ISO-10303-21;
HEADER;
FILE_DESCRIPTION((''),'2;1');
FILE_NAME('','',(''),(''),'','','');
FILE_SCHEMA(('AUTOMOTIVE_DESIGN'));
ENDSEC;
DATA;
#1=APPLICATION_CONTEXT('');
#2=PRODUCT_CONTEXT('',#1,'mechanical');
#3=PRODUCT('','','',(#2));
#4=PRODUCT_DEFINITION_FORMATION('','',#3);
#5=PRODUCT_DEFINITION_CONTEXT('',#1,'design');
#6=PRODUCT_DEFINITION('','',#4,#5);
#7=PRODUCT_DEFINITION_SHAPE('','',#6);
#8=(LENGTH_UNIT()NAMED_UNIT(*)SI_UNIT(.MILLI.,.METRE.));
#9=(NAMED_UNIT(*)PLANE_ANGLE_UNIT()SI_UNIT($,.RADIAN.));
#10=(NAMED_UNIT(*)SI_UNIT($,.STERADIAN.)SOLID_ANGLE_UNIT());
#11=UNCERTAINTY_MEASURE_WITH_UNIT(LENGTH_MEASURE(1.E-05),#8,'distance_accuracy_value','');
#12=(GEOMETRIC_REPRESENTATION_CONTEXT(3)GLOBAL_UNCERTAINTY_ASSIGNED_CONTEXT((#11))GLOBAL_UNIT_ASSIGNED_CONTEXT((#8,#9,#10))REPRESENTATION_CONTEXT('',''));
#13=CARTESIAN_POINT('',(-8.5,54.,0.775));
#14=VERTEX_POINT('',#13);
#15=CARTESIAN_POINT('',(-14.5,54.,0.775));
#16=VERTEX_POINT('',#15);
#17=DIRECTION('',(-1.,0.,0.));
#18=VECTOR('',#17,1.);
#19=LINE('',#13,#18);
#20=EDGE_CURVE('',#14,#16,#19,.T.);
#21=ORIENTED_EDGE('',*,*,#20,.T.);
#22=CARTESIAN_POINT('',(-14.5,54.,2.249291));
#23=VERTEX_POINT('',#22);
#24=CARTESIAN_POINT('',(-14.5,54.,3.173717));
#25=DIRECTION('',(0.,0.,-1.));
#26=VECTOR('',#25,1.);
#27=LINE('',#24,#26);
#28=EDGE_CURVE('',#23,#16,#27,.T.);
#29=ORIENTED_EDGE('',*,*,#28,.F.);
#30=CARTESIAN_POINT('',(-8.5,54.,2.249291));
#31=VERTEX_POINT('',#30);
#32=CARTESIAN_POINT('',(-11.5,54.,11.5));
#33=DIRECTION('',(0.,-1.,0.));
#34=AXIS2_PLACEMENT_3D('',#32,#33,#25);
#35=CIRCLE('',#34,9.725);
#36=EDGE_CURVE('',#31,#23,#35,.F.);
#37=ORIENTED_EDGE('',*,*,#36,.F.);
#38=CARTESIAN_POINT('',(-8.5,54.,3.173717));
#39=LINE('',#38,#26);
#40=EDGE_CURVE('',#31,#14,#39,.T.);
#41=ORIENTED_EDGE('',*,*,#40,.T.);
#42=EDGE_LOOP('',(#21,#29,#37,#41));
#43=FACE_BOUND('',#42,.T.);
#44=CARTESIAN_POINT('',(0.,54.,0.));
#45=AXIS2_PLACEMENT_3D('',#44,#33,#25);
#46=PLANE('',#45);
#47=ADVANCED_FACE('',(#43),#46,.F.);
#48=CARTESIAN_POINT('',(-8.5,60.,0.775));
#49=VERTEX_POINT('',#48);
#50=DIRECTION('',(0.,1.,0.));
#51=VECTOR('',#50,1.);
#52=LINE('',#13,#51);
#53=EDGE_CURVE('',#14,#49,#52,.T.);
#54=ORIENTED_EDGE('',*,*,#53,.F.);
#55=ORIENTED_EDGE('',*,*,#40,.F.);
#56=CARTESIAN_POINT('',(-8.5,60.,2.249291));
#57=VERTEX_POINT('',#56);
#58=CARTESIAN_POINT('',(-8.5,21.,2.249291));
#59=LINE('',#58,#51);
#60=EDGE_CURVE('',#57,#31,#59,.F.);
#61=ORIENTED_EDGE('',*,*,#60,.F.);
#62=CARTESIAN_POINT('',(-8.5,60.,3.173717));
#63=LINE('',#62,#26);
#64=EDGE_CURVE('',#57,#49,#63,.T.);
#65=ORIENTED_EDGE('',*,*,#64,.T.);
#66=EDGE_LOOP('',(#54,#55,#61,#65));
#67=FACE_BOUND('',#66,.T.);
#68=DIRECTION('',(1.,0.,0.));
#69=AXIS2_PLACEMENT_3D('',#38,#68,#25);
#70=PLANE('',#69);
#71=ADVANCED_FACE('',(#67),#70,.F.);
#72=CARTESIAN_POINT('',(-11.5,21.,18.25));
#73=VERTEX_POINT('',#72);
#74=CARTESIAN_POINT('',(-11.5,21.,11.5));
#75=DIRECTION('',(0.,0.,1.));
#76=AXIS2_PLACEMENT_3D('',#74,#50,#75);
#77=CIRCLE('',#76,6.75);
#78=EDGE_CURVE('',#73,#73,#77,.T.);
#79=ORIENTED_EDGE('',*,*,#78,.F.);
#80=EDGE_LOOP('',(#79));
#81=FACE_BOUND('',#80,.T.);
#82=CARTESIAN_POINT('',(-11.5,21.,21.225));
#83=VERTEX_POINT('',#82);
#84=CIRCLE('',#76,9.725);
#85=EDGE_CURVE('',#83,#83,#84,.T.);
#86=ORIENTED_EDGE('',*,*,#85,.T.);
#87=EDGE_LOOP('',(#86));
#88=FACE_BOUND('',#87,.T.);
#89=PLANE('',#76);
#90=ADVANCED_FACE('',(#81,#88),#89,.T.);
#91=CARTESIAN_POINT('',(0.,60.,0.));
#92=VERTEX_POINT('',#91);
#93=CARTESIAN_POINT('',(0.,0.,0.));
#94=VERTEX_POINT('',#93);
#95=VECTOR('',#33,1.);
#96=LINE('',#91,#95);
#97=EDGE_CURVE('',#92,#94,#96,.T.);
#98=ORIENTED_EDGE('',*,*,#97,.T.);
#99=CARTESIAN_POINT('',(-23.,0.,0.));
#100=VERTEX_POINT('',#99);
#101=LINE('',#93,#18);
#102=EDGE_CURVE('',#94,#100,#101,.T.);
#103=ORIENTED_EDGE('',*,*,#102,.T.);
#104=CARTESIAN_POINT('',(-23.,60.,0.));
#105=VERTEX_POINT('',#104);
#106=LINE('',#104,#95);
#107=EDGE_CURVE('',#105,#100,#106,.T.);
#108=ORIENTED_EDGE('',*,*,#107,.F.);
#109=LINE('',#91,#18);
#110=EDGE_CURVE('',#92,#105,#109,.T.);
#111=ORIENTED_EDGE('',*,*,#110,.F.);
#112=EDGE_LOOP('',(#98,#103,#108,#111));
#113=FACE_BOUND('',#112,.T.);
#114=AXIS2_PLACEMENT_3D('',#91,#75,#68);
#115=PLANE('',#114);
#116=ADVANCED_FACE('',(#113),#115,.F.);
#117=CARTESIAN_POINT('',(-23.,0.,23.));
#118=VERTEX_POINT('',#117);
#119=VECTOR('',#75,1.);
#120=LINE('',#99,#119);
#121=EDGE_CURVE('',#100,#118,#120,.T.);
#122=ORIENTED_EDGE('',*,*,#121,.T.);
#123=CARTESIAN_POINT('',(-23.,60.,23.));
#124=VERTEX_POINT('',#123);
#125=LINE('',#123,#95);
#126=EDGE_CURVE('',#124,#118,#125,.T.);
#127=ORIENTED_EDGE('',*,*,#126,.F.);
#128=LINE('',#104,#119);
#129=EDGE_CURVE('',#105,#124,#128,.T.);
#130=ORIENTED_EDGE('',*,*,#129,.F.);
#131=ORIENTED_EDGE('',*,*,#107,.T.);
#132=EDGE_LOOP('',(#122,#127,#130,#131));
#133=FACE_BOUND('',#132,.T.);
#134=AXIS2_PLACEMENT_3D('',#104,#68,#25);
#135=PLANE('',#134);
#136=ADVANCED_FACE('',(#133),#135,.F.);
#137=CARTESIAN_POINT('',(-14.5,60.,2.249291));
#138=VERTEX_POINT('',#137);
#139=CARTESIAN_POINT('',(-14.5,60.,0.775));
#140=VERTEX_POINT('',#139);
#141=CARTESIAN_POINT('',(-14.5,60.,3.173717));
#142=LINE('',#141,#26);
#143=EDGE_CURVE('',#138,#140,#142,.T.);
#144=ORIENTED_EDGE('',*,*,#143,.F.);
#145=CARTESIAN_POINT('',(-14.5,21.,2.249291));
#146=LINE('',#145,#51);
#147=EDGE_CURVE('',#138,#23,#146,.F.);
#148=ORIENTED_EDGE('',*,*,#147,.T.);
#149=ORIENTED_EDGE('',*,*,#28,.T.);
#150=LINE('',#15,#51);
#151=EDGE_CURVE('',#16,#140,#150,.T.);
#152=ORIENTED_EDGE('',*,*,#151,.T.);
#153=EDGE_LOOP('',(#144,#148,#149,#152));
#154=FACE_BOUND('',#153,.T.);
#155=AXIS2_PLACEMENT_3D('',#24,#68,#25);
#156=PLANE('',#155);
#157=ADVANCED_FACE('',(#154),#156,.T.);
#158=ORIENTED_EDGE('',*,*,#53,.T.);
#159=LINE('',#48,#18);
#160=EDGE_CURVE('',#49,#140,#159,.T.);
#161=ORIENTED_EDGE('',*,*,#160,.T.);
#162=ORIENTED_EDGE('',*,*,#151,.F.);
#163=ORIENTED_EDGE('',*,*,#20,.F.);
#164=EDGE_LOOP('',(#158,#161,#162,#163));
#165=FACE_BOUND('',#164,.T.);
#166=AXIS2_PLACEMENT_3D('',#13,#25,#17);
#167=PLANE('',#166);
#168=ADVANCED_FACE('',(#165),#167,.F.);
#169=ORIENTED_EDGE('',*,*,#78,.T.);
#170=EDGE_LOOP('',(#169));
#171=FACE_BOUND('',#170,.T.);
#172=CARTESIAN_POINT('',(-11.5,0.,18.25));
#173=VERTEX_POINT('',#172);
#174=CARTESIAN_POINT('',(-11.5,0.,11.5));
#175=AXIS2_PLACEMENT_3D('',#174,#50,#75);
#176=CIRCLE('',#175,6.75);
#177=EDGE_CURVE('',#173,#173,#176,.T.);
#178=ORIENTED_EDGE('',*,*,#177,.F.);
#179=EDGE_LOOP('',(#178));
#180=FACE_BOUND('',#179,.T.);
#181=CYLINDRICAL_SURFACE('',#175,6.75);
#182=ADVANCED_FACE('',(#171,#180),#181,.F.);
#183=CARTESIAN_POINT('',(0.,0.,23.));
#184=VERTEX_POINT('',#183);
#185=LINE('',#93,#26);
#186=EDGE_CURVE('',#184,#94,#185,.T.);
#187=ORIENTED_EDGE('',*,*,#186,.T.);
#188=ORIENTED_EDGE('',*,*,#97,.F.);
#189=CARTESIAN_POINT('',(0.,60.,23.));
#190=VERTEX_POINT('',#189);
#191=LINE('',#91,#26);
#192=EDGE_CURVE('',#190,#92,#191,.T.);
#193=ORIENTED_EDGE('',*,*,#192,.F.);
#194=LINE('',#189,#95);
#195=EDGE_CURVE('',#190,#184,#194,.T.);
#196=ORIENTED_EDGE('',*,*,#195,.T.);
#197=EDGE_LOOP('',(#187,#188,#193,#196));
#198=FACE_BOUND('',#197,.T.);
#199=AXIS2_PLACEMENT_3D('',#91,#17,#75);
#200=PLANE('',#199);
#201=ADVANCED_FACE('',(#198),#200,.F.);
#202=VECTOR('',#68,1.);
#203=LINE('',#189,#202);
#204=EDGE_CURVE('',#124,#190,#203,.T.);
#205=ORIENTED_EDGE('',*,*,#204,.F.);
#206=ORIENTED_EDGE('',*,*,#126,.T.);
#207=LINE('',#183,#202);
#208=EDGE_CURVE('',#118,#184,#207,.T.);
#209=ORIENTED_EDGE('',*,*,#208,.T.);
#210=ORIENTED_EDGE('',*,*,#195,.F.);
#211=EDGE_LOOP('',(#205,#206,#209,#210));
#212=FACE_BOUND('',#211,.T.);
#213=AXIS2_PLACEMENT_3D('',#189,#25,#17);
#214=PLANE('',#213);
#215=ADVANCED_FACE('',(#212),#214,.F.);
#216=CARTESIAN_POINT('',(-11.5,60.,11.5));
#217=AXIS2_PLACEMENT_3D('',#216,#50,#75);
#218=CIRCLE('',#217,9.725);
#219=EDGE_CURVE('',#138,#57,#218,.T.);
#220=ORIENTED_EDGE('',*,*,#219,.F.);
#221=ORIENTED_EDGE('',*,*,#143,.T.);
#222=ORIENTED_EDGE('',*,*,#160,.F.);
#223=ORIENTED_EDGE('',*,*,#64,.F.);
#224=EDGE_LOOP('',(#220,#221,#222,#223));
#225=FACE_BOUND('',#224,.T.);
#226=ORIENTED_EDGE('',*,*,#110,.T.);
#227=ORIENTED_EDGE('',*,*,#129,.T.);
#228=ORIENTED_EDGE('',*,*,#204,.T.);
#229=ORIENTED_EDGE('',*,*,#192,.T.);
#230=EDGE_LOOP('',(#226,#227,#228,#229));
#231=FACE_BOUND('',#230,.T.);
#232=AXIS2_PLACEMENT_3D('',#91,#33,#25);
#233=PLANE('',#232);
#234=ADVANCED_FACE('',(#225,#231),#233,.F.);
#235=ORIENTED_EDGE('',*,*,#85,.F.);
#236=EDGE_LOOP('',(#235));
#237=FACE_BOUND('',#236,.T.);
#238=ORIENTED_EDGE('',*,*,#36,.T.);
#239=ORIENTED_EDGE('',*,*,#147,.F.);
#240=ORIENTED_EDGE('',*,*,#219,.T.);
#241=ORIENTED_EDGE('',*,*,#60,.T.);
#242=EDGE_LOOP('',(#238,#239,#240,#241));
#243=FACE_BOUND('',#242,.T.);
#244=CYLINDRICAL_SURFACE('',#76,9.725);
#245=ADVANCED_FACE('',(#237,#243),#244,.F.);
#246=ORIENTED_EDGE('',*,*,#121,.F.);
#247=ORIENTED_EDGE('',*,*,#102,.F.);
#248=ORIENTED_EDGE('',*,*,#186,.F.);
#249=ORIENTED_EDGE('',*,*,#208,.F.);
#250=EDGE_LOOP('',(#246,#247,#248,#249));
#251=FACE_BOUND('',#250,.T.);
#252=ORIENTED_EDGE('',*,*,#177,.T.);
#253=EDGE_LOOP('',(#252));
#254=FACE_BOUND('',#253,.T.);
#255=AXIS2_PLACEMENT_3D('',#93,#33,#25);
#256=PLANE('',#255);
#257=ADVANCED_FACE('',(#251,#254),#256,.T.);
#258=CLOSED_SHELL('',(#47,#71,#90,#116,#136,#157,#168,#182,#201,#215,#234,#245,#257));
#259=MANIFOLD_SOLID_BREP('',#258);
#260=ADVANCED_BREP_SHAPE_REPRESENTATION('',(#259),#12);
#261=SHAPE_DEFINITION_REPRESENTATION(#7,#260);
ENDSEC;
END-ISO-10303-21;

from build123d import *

# Parameters (mm, degrees)
SKETCH1_W           = 23
SKETCH1_H           = 23
BOSS_EXTRUDE1_DEPTH = 60
SKETCH2_R           = 9.725
CUT_EXTRUDE1_DEPTH  = 39
SKETCH3_R           = 6.75
CUT_EXTRUDE2_DEPTH  = 51.783855702
SKETCH5_W           = 6
SKETCH5_H           = 2.398717271
CUT_EXTRUDE3_DEPTH  = 6


with BuildPart() as part:
    # Sketch1 → Boss-Extrude1 (new body)
    with BuildSketch(Plane(origin=(0, 0, 0), x_dir=(-1, 0, 0), z_dir=(0, 1, 0))):
        with Locations((11.5, 11.5)):
            Rectangle(SKETCH1_W, SKETCH1_H)
    extrude(amount=BOSS_EXTRUDE1_DEPTH)

    # Sketch2 → Cut-Extrude1 (cut)
    with BuildSketch(Plane(origin=(0, 60, 0), x_dir=(-1, 0, 0), z_dir=(0, 1, 0))):
        with Locations(Location((11.5, 11.5, 0), (0, 0, 90))):
            Circle(SKETCH2_R)
    extrude(amount=-CUT_EXTRUDE1_DEPTH, mode=Mode.SUBTRACT)

    # Sketch3 → Cut-Extrude2 (cut, through all)
    with BuildSketch(Plane(origin=(0, 21, 0), x_dir=(-1, 0, 0), z_dir=(0, 1, 0))):
        with Locations(Location((11.5, 11.5, 0), (0, 0, 90))):
            Circle(SKETCH3_R)
    extrude(amount=-CUT_EXTRUDE2_DEPTH, mode=Mode.SUBTRACT)

    # Sketch5 → Cut-Extrude3 (cut)
    with BuildSketch(Plane(origin=(0, 60, 0), x_dir=(-1, 0, 0), z_dir=(0, 1, 0))):
        with Locations((11.5, 1.974358636)):
            Rectangle(SKETCH5_W, SKETCH5_H)
    extrude(amount=-CUT_EXTRUDE3_DEPTH, mode=Mode.SUBTRACT)


solid = part.part
